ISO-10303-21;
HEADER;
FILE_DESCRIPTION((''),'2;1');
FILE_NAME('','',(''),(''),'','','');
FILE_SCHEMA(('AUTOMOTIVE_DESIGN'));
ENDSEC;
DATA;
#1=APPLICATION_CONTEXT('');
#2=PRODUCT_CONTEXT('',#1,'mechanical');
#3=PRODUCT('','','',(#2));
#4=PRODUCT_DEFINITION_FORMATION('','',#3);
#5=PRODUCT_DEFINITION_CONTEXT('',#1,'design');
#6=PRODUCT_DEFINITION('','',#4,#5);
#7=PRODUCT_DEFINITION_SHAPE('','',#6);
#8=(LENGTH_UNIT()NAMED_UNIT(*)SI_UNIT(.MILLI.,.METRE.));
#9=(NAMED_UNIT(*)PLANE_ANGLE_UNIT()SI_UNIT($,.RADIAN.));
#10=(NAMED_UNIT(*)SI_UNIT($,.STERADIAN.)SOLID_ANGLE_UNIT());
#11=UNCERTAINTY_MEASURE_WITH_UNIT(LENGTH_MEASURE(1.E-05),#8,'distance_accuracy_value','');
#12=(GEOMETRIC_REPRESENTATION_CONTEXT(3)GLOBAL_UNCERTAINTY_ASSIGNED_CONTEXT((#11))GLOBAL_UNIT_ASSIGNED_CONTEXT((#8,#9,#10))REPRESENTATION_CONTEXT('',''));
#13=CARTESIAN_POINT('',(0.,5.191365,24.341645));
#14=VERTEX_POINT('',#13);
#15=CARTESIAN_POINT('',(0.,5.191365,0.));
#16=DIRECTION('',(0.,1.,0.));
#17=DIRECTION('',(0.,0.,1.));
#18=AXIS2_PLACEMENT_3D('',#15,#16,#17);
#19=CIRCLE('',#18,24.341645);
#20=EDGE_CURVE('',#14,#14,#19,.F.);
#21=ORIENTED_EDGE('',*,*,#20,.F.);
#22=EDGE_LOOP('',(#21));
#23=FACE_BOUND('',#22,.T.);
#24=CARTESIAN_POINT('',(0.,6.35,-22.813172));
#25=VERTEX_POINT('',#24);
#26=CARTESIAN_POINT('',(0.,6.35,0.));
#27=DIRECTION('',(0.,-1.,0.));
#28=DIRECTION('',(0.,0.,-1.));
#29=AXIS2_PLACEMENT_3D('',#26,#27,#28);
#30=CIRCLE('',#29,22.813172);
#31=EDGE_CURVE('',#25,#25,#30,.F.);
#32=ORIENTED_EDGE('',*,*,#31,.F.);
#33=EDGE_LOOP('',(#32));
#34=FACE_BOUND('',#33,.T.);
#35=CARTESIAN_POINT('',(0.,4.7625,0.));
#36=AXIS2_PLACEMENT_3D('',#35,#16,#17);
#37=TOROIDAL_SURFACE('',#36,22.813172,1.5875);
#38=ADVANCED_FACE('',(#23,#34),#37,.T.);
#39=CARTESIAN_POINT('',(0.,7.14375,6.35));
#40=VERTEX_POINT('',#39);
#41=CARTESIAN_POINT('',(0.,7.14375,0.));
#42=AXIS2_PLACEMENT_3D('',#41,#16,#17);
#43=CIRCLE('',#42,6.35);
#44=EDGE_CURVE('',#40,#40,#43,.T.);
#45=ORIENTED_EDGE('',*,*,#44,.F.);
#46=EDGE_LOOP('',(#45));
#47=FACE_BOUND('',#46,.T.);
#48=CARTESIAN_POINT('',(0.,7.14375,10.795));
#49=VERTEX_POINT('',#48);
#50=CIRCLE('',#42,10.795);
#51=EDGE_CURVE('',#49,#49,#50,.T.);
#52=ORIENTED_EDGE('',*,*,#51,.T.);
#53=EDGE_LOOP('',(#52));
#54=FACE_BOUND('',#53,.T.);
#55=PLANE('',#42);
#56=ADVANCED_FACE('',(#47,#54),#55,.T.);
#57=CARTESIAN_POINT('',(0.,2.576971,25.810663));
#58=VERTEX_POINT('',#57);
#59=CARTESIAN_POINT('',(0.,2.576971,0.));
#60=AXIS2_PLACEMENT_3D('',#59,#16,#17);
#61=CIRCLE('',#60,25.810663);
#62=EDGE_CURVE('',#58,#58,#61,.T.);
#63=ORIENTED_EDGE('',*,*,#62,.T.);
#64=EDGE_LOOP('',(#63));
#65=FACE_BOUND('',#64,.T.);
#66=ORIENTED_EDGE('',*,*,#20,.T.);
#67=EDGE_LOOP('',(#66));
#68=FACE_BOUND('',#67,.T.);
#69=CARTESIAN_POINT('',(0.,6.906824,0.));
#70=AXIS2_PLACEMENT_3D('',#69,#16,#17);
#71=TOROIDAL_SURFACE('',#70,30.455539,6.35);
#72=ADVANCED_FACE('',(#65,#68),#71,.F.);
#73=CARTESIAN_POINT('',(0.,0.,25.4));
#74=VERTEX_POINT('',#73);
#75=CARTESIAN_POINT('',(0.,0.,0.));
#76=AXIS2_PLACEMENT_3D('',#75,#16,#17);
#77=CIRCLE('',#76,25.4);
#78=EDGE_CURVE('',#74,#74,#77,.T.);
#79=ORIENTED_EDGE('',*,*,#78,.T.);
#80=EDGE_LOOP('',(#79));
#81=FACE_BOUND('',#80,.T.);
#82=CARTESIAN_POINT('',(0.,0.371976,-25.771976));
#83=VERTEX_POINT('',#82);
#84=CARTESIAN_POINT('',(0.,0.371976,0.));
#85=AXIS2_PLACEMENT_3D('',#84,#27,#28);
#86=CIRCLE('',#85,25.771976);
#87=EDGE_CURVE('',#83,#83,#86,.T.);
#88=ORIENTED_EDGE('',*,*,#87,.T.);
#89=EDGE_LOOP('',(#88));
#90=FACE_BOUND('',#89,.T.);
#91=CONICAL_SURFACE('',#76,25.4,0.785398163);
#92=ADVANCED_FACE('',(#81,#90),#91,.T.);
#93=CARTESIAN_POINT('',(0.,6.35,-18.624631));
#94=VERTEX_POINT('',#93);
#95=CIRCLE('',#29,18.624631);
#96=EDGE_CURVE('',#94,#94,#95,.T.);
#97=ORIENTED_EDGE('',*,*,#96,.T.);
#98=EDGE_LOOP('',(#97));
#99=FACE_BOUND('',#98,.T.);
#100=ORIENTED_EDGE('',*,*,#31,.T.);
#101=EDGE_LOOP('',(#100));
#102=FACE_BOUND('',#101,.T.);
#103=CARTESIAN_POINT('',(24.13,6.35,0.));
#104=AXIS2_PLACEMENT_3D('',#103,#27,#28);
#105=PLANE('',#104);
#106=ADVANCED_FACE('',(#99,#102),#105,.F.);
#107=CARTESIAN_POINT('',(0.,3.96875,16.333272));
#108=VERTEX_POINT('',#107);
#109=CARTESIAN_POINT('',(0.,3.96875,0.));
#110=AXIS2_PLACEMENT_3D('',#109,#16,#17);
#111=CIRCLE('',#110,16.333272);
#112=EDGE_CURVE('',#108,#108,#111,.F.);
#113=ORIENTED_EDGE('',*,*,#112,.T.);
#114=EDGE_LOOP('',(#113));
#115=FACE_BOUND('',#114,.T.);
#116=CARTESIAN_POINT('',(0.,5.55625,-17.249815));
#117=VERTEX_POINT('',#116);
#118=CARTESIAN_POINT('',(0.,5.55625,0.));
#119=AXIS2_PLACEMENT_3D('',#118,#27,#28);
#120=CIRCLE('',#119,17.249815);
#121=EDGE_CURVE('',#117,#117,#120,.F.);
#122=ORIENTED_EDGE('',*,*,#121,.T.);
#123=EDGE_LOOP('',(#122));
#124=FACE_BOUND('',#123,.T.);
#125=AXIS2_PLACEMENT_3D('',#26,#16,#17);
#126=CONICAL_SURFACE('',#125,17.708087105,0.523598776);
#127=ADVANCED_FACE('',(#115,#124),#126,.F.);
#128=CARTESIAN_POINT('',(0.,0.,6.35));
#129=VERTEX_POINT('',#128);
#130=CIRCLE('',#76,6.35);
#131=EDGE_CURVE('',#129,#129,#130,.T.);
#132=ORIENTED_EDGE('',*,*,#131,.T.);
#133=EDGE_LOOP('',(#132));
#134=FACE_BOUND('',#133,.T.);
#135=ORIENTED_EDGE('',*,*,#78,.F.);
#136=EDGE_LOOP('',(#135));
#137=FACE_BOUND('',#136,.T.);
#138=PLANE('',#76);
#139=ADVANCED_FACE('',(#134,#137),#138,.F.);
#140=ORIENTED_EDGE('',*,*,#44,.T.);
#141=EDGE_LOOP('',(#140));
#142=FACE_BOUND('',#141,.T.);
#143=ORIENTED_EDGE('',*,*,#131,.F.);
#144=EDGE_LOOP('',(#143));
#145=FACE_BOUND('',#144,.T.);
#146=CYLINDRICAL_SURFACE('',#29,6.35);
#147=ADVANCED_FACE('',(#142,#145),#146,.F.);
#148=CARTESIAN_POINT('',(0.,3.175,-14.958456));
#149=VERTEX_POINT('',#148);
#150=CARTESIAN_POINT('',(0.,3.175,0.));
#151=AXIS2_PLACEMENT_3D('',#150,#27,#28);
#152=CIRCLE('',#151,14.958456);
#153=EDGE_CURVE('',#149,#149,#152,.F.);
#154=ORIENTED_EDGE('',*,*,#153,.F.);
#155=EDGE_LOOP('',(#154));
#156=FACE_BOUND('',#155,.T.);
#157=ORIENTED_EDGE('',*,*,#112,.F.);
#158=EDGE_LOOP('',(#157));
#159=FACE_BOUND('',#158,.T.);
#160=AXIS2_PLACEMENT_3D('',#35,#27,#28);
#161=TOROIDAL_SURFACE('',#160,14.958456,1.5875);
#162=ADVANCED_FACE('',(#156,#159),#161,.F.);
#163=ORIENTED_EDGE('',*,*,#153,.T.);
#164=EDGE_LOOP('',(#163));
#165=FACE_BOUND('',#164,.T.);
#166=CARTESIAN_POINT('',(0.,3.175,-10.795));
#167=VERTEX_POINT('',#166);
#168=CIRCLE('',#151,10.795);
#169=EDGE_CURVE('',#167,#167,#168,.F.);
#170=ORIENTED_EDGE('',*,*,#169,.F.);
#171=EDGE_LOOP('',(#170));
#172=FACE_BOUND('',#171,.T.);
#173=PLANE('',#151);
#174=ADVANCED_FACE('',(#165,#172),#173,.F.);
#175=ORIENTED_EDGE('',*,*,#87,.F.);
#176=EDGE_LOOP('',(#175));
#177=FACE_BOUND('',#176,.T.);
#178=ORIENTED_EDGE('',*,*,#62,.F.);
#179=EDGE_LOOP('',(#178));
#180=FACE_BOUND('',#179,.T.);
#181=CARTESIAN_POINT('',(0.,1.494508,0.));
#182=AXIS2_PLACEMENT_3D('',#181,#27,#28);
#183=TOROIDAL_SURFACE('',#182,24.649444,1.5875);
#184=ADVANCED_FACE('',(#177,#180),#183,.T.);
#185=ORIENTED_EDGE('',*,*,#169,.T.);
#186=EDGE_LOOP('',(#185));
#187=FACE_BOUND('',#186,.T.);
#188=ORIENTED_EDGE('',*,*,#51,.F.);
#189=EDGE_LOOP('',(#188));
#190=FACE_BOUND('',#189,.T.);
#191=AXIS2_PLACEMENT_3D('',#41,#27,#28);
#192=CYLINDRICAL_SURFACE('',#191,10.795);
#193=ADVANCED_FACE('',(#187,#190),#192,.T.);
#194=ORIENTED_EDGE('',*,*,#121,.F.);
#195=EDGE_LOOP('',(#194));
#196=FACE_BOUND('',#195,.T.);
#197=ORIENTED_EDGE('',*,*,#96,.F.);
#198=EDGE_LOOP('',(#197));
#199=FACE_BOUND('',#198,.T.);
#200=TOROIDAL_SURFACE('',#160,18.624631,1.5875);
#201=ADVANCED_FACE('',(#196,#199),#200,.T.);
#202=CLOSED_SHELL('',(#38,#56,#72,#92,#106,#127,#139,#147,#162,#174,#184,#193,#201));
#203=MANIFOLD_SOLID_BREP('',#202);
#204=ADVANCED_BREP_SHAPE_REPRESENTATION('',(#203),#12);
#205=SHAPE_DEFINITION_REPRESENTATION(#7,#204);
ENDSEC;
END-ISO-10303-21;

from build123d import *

# Parameters (mm, degrees)
FILLET1_R        = 1.5875
SKETCH2_R        = 10.795
ROUND_BOSS_DEPTH = 3.96875
SKETCH4_R        = 6.35
HOLE_DEPTH       = 6.35
MODULAR_REACH    = 39.644
SKETCH12_R       = 6.35


with BuildPart() as part:
    # Sketch1 → Base-Revolve (revolve)
    with BuildSketch(Plane.XY, mode=Mode.PRIVATE) as base_revolve_sk:
        with BuildLine():
            Line((0, 0), (25.4, 0))
            Line((25.4, 0), (26.9875, 1.5875))
            ThreePointArc((26.9875, 1.5875), (25.010459227, 3.639775536), (24.13, 6.35))
            Line((24.13, 6.35), (17.708087105, 6.35))
            Line((17.708087105, 6.35), (15.875, 3.175))
            Line((15.875, 3.175), (0, 3.175))
            Line((0, 3.175), (0, 0))
        make_face()
    revolve(base_revolve_sk.sketch.rotate(Axis((0, 4.772511252, 0), (0, -1, 0)), 90), axis=Axis((0, 4.772511252, 0), (0, -1, 0)))

    # Fillet1
    fillet1_edges = [part.edges().sort_by_distance(p)[0] for p in [
        (0, 3.175, -15.875),
        (0, 6.35, -17.708087105),
        (0, 6.35, -24.13),
        (0, 1.5875, -26.9875),
    ]]
    fillet(fillet1_edges, radius=FILLET1_R)

    # Sketch2 → Round Boss (add)
    with BuildSketch(Plane(origin=(0, 3.175, 0), x_dir=(-1, 0, 0), z_dir=(0, 1, 0))):
        with Locations(Location((0, 0, 0), (0, 0, 270))):
            Circle(SKETCH2_R)
    extrude(amount=ROUND_BOSS_DEPTH)

    # Sketch4 → hole (cut)
    with BuildSketch(Plane(origin=(0, 0, 0), x_dir=(-1, 0, 0), z_dir=(0, 1, 0))):
        with Locations(Location((0, 0, 0), (0, 0, 90))):
            Circle(SKETCH4_R)
    extrude(amount=HOLE_DEPTH, mode=Mode.SUBTRACT)

    # Sketch12 → Modular (cut, up to next)
    with BuildSketch(Plane(origin=(0, 6.35, 0), x_dir=(-1, 0, 0), z_dir=(0, 1, 0)), mode=Mode.PRIVATE) as modular_sk1:
        with Locations(Location((0, 0, 0), (0, 0, 90))):
            Circle(SKETCH12_R)
    modular_tool1 = extrude(modular_sk1.sketch, amount=MODULAR_REACH, mode=Mode.PRIVATE) & part.part
    add(modular_tool1.solids().sort_by_distance((0, 6.35, 0))[0], mode=Mode.SUBTRACT)


solid = part.part
